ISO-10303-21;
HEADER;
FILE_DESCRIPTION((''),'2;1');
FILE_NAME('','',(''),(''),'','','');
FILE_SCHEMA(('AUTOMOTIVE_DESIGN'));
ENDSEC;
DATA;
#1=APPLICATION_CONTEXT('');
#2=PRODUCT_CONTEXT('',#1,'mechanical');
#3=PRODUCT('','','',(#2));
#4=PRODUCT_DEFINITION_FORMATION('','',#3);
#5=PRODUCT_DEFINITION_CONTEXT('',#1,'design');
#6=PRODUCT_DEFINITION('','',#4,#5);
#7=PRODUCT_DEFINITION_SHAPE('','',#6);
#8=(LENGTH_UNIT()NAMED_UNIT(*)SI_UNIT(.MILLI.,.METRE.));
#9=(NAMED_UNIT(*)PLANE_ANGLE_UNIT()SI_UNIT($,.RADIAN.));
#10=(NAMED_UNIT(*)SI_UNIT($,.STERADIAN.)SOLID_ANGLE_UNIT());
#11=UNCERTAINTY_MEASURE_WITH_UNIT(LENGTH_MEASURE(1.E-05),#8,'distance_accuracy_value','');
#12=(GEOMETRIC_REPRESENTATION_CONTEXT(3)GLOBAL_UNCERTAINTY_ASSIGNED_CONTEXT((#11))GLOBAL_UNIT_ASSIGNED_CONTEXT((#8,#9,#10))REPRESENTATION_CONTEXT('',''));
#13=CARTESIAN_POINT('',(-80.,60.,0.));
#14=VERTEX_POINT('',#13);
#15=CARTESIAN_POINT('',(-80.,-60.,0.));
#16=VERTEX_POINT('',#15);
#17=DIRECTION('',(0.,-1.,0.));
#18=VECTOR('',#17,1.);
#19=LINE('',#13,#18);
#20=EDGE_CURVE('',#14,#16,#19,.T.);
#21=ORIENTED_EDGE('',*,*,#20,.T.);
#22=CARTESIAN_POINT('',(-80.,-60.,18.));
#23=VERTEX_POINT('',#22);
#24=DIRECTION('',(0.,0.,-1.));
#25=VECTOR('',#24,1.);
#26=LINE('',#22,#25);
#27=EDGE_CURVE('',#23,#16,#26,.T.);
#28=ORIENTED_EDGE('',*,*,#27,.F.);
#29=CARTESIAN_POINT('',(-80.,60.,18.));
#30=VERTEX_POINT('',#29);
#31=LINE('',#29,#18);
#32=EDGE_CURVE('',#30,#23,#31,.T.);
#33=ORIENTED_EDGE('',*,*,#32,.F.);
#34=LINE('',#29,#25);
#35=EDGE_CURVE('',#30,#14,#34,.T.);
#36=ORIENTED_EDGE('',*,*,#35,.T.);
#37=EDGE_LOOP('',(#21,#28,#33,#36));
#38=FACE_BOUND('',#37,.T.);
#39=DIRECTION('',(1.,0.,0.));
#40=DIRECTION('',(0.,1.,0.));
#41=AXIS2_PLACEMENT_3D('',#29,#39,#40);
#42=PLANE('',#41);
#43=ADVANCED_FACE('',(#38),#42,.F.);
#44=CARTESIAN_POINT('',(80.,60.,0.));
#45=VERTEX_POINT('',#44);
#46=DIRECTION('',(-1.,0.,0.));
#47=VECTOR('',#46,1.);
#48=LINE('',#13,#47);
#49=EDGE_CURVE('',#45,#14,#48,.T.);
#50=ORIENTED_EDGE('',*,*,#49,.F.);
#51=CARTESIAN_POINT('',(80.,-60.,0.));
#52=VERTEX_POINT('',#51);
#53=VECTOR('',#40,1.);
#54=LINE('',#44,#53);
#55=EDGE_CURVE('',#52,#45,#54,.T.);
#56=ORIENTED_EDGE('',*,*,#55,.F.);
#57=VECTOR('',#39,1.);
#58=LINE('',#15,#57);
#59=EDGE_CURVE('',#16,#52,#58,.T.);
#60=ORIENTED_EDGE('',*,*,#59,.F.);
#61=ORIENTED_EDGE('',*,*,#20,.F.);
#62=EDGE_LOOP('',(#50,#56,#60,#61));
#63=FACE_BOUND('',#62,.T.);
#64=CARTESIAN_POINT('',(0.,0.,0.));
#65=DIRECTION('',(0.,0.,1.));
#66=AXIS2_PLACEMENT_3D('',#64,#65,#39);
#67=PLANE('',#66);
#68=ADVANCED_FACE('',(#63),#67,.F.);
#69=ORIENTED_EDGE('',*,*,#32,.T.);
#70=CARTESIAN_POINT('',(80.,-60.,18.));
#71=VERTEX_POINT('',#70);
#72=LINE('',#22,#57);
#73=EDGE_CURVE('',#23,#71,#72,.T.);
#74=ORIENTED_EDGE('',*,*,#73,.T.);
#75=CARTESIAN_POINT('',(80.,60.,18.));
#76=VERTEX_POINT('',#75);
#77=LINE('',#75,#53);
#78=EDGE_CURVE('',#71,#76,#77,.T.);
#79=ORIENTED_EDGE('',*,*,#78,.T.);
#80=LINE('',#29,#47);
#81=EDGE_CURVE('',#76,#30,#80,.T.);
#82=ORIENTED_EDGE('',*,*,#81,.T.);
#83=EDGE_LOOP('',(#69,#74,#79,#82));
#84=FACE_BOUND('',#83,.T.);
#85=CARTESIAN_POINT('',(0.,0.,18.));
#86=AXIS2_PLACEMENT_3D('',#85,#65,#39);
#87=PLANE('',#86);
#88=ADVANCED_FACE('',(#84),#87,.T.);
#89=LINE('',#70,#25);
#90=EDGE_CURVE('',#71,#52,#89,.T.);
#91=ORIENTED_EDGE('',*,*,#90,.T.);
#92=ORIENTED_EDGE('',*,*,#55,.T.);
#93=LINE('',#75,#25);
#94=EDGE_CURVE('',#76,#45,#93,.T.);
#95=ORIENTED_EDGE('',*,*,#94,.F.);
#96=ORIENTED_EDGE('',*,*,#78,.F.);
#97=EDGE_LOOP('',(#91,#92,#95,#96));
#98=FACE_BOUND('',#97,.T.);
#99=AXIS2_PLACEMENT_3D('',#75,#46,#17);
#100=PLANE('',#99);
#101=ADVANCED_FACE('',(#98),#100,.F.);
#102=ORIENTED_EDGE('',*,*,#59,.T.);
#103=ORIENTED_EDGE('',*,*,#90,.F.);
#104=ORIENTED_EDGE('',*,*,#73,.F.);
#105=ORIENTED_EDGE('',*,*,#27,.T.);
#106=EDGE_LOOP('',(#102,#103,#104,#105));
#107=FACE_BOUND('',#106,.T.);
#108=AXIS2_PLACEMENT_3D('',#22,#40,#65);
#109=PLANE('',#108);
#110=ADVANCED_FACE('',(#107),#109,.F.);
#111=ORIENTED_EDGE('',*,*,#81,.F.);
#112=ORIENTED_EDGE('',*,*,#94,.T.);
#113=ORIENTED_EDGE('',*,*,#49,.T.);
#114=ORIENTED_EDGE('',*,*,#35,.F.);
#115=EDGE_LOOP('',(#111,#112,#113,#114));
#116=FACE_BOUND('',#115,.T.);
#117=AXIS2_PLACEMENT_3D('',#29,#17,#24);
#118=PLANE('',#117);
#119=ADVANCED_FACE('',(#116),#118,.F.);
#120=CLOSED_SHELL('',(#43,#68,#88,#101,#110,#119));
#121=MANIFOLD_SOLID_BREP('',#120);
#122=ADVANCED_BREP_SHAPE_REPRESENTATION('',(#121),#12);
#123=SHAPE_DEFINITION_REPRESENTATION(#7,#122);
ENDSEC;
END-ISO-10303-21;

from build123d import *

# Parameters (mm, degrees)
SKETCH1_W           = 160
SKETCH1_H           = 120
BOSS_EXTRUDE1_DEPTH = 18


with BuildPart() as part:
    # Sketch1 → Boss-Extrude1 (new body)
    with BuildSketch(Plane.XY):
        Rectangle(SKETCH1_W, SKETCH1_H)
    extrude(amount=BOSS_EXTRUDE1_DEPTH)


solid = part.part
